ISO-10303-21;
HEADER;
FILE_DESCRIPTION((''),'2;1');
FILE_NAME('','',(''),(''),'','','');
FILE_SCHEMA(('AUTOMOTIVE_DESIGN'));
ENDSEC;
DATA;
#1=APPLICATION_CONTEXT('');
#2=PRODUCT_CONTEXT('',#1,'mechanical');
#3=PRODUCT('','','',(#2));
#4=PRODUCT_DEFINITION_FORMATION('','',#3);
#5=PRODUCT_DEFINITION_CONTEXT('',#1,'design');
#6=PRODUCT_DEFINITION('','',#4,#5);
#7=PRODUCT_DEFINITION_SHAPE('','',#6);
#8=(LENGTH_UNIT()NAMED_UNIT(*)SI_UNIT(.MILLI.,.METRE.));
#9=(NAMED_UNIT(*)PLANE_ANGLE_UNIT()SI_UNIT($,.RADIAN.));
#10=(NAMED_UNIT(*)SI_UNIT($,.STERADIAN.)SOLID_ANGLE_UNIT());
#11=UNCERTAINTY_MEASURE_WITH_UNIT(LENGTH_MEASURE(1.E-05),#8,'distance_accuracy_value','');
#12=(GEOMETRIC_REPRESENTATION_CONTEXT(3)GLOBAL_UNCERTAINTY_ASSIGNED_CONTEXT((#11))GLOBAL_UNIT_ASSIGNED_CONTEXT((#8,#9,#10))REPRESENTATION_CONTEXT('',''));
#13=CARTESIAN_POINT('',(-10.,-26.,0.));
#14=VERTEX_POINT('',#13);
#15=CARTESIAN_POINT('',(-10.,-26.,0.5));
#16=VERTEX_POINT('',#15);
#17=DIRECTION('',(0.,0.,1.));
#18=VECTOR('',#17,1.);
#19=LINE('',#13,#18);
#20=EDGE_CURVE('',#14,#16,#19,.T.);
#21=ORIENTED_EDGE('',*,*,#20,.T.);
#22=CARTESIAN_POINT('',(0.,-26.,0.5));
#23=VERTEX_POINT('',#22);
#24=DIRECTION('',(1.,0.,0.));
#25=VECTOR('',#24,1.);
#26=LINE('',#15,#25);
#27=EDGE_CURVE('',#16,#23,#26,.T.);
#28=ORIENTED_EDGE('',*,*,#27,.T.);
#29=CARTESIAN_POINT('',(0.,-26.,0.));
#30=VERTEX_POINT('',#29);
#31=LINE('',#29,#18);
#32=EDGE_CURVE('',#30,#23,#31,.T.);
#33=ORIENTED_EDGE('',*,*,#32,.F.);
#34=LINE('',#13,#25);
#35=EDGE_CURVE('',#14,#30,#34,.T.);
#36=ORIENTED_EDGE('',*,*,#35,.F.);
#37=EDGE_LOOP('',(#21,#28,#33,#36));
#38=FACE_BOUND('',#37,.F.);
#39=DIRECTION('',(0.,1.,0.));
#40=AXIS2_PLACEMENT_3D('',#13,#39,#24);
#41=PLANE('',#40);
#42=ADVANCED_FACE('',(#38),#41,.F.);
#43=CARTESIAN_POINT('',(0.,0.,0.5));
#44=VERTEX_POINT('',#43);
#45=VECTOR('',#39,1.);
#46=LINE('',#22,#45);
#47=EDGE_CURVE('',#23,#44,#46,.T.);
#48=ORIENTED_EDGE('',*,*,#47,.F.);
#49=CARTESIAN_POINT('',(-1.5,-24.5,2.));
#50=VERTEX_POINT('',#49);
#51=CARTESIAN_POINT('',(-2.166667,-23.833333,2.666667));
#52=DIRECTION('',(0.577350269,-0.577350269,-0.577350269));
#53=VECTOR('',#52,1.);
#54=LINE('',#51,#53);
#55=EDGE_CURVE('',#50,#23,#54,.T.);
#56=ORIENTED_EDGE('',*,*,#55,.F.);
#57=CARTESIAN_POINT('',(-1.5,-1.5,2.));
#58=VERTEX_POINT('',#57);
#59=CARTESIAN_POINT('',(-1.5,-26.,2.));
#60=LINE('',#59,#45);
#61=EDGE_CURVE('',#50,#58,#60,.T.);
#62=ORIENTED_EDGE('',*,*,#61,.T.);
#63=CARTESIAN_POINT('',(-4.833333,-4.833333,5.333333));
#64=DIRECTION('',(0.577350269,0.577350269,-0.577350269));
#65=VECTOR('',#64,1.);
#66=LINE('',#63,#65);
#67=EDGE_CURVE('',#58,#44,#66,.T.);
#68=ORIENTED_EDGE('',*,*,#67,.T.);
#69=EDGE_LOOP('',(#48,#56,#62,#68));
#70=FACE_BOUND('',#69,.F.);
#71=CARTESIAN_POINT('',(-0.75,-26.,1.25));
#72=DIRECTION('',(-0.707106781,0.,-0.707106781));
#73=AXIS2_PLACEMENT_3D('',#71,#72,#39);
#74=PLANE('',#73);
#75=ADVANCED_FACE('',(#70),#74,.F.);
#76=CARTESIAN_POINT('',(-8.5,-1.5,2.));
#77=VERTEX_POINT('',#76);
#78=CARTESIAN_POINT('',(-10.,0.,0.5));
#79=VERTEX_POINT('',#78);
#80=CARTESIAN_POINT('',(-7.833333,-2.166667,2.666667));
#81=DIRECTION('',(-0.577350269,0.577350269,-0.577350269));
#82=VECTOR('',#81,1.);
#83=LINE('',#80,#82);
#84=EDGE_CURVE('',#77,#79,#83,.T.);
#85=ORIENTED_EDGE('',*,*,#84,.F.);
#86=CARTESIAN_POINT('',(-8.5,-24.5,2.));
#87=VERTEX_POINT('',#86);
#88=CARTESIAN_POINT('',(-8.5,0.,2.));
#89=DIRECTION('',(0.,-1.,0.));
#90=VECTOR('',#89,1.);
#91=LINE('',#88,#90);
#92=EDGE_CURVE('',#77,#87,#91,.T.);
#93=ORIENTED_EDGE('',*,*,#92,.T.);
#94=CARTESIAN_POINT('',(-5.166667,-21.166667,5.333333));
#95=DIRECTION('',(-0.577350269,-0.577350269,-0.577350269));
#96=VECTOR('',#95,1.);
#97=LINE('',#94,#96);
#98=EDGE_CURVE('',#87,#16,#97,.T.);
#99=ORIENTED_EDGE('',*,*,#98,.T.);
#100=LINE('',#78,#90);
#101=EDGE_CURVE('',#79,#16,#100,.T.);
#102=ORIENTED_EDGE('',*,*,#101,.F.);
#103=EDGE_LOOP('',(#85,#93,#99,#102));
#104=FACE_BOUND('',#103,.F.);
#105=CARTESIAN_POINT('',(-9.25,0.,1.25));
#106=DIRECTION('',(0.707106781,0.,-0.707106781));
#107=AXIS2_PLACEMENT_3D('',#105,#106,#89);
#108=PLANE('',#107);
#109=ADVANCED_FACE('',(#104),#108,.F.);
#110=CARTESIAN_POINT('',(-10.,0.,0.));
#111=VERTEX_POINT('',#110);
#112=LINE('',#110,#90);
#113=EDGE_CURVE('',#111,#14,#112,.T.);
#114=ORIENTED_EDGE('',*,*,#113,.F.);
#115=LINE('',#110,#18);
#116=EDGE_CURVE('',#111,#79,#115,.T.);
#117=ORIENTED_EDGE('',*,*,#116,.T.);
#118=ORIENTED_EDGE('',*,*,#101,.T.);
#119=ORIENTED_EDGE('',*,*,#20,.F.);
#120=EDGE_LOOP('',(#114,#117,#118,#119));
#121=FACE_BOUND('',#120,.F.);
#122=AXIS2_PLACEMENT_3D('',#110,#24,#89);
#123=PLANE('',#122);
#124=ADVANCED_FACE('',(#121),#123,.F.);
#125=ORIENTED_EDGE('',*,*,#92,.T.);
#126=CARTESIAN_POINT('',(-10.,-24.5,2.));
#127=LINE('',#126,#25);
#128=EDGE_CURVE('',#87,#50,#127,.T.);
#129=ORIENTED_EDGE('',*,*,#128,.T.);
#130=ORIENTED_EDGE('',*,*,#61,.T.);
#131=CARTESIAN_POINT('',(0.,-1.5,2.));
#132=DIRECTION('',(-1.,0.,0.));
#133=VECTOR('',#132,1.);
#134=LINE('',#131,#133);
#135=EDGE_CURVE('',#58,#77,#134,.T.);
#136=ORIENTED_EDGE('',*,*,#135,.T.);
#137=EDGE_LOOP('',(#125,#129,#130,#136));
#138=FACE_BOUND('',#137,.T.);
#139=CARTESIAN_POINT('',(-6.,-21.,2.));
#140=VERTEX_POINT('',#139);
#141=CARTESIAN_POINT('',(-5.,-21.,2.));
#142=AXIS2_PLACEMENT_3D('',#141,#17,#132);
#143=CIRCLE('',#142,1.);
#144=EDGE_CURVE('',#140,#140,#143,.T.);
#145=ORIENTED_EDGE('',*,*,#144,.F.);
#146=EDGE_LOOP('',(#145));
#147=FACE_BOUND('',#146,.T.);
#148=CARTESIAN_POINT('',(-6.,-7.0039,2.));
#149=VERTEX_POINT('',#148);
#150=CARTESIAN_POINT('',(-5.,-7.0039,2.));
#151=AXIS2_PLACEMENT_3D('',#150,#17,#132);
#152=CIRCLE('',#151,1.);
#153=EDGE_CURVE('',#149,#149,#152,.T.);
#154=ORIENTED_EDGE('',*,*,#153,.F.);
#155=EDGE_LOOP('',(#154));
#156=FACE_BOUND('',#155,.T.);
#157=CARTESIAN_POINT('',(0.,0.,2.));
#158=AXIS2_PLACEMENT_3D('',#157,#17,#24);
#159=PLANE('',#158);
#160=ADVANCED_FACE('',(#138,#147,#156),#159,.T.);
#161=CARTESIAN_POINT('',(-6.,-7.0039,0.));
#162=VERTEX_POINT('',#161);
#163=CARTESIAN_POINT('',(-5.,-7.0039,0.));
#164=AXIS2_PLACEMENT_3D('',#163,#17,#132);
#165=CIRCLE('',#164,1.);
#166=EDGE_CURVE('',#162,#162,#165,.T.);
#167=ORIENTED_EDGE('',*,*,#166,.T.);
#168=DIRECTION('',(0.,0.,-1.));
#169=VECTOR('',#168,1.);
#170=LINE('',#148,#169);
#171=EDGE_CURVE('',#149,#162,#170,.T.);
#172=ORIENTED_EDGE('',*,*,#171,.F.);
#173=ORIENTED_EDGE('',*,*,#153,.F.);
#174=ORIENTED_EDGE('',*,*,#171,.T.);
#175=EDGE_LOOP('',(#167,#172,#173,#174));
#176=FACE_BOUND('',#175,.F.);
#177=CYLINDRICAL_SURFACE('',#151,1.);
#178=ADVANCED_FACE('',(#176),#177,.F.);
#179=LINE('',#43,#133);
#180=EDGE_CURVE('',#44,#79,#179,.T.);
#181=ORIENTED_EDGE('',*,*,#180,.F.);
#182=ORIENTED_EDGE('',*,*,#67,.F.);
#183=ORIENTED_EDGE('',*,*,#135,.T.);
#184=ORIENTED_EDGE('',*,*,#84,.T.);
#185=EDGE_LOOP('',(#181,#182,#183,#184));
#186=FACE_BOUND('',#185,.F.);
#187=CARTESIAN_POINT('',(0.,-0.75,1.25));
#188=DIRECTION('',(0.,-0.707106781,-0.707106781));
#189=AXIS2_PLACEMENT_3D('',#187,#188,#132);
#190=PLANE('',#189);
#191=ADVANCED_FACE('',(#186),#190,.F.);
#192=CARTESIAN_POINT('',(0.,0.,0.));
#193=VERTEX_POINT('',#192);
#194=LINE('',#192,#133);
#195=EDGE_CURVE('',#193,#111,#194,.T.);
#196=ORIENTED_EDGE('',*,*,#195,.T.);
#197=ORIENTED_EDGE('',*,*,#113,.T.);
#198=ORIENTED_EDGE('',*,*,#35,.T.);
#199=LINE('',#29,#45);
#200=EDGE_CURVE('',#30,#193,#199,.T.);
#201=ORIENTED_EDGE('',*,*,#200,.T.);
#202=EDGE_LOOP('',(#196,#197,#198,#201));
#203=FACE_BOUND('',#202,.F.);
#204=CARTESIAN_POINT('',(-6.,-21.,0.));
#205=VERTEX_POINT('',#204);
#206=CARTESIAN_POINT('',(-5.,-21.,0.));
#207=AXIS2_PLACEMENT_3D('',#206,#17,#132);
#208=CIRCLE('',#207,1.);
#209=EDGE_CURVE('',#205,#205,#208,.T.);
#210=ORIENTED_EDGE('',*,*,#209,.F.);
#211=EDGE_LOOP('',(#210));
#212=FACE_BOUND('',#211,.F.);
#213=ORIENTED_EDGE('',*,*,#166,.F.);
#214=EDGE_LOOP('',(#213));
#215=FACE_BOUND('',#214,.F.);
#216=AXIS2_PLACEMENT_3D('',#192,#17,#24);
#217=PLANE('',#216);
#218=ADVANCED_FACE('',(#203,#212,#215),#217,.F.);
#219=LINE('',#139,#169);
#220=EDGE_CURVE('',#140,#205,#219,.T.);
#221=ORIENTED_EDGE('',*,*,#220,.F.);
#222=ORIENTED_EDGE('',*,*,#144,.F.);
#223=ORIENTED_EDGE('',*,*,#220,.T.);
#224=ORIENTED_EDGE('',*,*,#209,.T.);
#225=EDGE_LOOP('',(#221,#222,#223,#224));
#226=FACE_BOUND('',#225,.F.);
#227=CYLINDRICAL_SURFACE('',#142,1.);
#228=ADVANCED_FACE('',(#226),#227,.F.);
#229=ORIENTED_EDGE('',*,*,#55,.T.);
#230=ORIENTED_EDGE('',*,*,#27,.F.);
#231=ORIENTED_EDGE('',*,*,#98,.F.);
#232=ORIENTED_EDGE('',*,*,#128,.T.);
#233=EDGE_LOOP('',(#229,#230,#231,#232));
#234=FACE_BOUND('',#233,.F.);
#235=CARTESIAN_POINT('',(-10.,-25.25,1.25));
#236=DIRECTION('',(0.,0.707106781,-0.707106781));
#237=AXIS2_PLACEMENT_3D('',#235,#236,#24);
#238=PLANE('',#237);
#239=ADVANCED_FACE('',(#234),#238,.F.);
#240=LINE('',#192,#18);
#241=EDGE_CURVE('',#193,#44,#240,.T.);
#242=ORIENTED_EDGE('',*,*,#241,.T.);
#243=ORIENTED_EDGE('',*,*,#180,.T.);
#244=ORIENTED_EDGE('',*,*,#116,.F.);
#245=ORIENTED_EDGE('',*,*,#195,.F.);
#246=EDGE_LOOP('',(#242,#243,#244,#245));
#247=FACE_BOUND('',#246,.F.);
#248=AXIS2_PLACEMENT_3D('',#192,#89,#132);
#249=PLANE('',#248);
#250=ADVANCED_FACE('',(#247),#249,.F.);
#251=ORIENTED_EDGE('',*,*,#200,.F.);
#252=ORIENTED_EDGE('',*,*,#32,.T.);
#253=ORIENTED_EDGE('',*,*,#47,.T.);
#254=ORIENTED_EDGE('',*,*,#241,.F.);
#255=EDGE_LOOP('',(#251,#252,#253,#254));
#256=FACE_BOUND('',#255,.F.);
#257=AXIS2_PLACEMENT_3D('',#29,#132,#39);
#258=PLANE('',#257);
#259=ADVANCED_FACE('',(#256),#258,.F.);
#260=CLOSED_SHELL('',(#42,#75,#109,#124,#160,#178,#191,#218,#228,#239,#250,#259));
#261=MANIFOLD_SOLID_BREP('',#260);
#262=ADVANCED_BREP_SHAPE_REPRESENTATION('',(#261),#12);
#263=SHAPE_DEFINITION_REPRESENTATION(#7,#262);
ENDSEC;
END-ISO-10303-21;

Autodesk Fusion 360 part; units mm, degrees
sketch "Sketch1" plane through (0, 0, 0) normal (0, 0, 1) x (1, 0, 0)
  line L0 (0, 0) -> (-10, 0)
  line L1 (-10, 0) -> (-10, -26)
  line L2 (-10, -26) -> (0, -26)
  line L3 (0, -26) -> (0, 0)
  dimension "d1" = 10
  dimension "d2" = 26
extrude "Extrude1" add sketch "Sketch1" along normal blind 2
sketch "Sketch2" plane through (0, 0, 2) normal (0, 0, 1) x (-1, 0, 0)
  line L0 (0, 26) -> (0, 0)
  line L1 (0, 0) -> (10, 0)
  line L2 (10, 0) -> (10, 26)
  line L3 (10, 26) -> (0, 26)
  circle A0 centre (5, 21) radius 1
  circle A1 centre (5, 7.0039) radius 1
  point P0 (4.5847, 3.0102)
  dimension "d5" = 2
  dimension "d6" = 2
  dimension "d8" = 5
  dimension "d9" = 5
  dimension "d10" = 13.9961
  dimension "d11" = 5
extrude "Extrude2" cut sketch "Sketch2" against normal blind 10 contours A0 | A1
chamfer "Chamfer1" distance 1.5 angle 45 4 edges at (-5, -26, 2) (0, -13, 2) (-10, -13, 2) (-5, 0, 2) measured on face at (-5.0249, -2.0022, 2) measured on face at (-5.0249, -2.0022, 2) measured on face at (-5.0249, -2.0022, 2) measured on face at (-5.0249, -2.0022, 2)
